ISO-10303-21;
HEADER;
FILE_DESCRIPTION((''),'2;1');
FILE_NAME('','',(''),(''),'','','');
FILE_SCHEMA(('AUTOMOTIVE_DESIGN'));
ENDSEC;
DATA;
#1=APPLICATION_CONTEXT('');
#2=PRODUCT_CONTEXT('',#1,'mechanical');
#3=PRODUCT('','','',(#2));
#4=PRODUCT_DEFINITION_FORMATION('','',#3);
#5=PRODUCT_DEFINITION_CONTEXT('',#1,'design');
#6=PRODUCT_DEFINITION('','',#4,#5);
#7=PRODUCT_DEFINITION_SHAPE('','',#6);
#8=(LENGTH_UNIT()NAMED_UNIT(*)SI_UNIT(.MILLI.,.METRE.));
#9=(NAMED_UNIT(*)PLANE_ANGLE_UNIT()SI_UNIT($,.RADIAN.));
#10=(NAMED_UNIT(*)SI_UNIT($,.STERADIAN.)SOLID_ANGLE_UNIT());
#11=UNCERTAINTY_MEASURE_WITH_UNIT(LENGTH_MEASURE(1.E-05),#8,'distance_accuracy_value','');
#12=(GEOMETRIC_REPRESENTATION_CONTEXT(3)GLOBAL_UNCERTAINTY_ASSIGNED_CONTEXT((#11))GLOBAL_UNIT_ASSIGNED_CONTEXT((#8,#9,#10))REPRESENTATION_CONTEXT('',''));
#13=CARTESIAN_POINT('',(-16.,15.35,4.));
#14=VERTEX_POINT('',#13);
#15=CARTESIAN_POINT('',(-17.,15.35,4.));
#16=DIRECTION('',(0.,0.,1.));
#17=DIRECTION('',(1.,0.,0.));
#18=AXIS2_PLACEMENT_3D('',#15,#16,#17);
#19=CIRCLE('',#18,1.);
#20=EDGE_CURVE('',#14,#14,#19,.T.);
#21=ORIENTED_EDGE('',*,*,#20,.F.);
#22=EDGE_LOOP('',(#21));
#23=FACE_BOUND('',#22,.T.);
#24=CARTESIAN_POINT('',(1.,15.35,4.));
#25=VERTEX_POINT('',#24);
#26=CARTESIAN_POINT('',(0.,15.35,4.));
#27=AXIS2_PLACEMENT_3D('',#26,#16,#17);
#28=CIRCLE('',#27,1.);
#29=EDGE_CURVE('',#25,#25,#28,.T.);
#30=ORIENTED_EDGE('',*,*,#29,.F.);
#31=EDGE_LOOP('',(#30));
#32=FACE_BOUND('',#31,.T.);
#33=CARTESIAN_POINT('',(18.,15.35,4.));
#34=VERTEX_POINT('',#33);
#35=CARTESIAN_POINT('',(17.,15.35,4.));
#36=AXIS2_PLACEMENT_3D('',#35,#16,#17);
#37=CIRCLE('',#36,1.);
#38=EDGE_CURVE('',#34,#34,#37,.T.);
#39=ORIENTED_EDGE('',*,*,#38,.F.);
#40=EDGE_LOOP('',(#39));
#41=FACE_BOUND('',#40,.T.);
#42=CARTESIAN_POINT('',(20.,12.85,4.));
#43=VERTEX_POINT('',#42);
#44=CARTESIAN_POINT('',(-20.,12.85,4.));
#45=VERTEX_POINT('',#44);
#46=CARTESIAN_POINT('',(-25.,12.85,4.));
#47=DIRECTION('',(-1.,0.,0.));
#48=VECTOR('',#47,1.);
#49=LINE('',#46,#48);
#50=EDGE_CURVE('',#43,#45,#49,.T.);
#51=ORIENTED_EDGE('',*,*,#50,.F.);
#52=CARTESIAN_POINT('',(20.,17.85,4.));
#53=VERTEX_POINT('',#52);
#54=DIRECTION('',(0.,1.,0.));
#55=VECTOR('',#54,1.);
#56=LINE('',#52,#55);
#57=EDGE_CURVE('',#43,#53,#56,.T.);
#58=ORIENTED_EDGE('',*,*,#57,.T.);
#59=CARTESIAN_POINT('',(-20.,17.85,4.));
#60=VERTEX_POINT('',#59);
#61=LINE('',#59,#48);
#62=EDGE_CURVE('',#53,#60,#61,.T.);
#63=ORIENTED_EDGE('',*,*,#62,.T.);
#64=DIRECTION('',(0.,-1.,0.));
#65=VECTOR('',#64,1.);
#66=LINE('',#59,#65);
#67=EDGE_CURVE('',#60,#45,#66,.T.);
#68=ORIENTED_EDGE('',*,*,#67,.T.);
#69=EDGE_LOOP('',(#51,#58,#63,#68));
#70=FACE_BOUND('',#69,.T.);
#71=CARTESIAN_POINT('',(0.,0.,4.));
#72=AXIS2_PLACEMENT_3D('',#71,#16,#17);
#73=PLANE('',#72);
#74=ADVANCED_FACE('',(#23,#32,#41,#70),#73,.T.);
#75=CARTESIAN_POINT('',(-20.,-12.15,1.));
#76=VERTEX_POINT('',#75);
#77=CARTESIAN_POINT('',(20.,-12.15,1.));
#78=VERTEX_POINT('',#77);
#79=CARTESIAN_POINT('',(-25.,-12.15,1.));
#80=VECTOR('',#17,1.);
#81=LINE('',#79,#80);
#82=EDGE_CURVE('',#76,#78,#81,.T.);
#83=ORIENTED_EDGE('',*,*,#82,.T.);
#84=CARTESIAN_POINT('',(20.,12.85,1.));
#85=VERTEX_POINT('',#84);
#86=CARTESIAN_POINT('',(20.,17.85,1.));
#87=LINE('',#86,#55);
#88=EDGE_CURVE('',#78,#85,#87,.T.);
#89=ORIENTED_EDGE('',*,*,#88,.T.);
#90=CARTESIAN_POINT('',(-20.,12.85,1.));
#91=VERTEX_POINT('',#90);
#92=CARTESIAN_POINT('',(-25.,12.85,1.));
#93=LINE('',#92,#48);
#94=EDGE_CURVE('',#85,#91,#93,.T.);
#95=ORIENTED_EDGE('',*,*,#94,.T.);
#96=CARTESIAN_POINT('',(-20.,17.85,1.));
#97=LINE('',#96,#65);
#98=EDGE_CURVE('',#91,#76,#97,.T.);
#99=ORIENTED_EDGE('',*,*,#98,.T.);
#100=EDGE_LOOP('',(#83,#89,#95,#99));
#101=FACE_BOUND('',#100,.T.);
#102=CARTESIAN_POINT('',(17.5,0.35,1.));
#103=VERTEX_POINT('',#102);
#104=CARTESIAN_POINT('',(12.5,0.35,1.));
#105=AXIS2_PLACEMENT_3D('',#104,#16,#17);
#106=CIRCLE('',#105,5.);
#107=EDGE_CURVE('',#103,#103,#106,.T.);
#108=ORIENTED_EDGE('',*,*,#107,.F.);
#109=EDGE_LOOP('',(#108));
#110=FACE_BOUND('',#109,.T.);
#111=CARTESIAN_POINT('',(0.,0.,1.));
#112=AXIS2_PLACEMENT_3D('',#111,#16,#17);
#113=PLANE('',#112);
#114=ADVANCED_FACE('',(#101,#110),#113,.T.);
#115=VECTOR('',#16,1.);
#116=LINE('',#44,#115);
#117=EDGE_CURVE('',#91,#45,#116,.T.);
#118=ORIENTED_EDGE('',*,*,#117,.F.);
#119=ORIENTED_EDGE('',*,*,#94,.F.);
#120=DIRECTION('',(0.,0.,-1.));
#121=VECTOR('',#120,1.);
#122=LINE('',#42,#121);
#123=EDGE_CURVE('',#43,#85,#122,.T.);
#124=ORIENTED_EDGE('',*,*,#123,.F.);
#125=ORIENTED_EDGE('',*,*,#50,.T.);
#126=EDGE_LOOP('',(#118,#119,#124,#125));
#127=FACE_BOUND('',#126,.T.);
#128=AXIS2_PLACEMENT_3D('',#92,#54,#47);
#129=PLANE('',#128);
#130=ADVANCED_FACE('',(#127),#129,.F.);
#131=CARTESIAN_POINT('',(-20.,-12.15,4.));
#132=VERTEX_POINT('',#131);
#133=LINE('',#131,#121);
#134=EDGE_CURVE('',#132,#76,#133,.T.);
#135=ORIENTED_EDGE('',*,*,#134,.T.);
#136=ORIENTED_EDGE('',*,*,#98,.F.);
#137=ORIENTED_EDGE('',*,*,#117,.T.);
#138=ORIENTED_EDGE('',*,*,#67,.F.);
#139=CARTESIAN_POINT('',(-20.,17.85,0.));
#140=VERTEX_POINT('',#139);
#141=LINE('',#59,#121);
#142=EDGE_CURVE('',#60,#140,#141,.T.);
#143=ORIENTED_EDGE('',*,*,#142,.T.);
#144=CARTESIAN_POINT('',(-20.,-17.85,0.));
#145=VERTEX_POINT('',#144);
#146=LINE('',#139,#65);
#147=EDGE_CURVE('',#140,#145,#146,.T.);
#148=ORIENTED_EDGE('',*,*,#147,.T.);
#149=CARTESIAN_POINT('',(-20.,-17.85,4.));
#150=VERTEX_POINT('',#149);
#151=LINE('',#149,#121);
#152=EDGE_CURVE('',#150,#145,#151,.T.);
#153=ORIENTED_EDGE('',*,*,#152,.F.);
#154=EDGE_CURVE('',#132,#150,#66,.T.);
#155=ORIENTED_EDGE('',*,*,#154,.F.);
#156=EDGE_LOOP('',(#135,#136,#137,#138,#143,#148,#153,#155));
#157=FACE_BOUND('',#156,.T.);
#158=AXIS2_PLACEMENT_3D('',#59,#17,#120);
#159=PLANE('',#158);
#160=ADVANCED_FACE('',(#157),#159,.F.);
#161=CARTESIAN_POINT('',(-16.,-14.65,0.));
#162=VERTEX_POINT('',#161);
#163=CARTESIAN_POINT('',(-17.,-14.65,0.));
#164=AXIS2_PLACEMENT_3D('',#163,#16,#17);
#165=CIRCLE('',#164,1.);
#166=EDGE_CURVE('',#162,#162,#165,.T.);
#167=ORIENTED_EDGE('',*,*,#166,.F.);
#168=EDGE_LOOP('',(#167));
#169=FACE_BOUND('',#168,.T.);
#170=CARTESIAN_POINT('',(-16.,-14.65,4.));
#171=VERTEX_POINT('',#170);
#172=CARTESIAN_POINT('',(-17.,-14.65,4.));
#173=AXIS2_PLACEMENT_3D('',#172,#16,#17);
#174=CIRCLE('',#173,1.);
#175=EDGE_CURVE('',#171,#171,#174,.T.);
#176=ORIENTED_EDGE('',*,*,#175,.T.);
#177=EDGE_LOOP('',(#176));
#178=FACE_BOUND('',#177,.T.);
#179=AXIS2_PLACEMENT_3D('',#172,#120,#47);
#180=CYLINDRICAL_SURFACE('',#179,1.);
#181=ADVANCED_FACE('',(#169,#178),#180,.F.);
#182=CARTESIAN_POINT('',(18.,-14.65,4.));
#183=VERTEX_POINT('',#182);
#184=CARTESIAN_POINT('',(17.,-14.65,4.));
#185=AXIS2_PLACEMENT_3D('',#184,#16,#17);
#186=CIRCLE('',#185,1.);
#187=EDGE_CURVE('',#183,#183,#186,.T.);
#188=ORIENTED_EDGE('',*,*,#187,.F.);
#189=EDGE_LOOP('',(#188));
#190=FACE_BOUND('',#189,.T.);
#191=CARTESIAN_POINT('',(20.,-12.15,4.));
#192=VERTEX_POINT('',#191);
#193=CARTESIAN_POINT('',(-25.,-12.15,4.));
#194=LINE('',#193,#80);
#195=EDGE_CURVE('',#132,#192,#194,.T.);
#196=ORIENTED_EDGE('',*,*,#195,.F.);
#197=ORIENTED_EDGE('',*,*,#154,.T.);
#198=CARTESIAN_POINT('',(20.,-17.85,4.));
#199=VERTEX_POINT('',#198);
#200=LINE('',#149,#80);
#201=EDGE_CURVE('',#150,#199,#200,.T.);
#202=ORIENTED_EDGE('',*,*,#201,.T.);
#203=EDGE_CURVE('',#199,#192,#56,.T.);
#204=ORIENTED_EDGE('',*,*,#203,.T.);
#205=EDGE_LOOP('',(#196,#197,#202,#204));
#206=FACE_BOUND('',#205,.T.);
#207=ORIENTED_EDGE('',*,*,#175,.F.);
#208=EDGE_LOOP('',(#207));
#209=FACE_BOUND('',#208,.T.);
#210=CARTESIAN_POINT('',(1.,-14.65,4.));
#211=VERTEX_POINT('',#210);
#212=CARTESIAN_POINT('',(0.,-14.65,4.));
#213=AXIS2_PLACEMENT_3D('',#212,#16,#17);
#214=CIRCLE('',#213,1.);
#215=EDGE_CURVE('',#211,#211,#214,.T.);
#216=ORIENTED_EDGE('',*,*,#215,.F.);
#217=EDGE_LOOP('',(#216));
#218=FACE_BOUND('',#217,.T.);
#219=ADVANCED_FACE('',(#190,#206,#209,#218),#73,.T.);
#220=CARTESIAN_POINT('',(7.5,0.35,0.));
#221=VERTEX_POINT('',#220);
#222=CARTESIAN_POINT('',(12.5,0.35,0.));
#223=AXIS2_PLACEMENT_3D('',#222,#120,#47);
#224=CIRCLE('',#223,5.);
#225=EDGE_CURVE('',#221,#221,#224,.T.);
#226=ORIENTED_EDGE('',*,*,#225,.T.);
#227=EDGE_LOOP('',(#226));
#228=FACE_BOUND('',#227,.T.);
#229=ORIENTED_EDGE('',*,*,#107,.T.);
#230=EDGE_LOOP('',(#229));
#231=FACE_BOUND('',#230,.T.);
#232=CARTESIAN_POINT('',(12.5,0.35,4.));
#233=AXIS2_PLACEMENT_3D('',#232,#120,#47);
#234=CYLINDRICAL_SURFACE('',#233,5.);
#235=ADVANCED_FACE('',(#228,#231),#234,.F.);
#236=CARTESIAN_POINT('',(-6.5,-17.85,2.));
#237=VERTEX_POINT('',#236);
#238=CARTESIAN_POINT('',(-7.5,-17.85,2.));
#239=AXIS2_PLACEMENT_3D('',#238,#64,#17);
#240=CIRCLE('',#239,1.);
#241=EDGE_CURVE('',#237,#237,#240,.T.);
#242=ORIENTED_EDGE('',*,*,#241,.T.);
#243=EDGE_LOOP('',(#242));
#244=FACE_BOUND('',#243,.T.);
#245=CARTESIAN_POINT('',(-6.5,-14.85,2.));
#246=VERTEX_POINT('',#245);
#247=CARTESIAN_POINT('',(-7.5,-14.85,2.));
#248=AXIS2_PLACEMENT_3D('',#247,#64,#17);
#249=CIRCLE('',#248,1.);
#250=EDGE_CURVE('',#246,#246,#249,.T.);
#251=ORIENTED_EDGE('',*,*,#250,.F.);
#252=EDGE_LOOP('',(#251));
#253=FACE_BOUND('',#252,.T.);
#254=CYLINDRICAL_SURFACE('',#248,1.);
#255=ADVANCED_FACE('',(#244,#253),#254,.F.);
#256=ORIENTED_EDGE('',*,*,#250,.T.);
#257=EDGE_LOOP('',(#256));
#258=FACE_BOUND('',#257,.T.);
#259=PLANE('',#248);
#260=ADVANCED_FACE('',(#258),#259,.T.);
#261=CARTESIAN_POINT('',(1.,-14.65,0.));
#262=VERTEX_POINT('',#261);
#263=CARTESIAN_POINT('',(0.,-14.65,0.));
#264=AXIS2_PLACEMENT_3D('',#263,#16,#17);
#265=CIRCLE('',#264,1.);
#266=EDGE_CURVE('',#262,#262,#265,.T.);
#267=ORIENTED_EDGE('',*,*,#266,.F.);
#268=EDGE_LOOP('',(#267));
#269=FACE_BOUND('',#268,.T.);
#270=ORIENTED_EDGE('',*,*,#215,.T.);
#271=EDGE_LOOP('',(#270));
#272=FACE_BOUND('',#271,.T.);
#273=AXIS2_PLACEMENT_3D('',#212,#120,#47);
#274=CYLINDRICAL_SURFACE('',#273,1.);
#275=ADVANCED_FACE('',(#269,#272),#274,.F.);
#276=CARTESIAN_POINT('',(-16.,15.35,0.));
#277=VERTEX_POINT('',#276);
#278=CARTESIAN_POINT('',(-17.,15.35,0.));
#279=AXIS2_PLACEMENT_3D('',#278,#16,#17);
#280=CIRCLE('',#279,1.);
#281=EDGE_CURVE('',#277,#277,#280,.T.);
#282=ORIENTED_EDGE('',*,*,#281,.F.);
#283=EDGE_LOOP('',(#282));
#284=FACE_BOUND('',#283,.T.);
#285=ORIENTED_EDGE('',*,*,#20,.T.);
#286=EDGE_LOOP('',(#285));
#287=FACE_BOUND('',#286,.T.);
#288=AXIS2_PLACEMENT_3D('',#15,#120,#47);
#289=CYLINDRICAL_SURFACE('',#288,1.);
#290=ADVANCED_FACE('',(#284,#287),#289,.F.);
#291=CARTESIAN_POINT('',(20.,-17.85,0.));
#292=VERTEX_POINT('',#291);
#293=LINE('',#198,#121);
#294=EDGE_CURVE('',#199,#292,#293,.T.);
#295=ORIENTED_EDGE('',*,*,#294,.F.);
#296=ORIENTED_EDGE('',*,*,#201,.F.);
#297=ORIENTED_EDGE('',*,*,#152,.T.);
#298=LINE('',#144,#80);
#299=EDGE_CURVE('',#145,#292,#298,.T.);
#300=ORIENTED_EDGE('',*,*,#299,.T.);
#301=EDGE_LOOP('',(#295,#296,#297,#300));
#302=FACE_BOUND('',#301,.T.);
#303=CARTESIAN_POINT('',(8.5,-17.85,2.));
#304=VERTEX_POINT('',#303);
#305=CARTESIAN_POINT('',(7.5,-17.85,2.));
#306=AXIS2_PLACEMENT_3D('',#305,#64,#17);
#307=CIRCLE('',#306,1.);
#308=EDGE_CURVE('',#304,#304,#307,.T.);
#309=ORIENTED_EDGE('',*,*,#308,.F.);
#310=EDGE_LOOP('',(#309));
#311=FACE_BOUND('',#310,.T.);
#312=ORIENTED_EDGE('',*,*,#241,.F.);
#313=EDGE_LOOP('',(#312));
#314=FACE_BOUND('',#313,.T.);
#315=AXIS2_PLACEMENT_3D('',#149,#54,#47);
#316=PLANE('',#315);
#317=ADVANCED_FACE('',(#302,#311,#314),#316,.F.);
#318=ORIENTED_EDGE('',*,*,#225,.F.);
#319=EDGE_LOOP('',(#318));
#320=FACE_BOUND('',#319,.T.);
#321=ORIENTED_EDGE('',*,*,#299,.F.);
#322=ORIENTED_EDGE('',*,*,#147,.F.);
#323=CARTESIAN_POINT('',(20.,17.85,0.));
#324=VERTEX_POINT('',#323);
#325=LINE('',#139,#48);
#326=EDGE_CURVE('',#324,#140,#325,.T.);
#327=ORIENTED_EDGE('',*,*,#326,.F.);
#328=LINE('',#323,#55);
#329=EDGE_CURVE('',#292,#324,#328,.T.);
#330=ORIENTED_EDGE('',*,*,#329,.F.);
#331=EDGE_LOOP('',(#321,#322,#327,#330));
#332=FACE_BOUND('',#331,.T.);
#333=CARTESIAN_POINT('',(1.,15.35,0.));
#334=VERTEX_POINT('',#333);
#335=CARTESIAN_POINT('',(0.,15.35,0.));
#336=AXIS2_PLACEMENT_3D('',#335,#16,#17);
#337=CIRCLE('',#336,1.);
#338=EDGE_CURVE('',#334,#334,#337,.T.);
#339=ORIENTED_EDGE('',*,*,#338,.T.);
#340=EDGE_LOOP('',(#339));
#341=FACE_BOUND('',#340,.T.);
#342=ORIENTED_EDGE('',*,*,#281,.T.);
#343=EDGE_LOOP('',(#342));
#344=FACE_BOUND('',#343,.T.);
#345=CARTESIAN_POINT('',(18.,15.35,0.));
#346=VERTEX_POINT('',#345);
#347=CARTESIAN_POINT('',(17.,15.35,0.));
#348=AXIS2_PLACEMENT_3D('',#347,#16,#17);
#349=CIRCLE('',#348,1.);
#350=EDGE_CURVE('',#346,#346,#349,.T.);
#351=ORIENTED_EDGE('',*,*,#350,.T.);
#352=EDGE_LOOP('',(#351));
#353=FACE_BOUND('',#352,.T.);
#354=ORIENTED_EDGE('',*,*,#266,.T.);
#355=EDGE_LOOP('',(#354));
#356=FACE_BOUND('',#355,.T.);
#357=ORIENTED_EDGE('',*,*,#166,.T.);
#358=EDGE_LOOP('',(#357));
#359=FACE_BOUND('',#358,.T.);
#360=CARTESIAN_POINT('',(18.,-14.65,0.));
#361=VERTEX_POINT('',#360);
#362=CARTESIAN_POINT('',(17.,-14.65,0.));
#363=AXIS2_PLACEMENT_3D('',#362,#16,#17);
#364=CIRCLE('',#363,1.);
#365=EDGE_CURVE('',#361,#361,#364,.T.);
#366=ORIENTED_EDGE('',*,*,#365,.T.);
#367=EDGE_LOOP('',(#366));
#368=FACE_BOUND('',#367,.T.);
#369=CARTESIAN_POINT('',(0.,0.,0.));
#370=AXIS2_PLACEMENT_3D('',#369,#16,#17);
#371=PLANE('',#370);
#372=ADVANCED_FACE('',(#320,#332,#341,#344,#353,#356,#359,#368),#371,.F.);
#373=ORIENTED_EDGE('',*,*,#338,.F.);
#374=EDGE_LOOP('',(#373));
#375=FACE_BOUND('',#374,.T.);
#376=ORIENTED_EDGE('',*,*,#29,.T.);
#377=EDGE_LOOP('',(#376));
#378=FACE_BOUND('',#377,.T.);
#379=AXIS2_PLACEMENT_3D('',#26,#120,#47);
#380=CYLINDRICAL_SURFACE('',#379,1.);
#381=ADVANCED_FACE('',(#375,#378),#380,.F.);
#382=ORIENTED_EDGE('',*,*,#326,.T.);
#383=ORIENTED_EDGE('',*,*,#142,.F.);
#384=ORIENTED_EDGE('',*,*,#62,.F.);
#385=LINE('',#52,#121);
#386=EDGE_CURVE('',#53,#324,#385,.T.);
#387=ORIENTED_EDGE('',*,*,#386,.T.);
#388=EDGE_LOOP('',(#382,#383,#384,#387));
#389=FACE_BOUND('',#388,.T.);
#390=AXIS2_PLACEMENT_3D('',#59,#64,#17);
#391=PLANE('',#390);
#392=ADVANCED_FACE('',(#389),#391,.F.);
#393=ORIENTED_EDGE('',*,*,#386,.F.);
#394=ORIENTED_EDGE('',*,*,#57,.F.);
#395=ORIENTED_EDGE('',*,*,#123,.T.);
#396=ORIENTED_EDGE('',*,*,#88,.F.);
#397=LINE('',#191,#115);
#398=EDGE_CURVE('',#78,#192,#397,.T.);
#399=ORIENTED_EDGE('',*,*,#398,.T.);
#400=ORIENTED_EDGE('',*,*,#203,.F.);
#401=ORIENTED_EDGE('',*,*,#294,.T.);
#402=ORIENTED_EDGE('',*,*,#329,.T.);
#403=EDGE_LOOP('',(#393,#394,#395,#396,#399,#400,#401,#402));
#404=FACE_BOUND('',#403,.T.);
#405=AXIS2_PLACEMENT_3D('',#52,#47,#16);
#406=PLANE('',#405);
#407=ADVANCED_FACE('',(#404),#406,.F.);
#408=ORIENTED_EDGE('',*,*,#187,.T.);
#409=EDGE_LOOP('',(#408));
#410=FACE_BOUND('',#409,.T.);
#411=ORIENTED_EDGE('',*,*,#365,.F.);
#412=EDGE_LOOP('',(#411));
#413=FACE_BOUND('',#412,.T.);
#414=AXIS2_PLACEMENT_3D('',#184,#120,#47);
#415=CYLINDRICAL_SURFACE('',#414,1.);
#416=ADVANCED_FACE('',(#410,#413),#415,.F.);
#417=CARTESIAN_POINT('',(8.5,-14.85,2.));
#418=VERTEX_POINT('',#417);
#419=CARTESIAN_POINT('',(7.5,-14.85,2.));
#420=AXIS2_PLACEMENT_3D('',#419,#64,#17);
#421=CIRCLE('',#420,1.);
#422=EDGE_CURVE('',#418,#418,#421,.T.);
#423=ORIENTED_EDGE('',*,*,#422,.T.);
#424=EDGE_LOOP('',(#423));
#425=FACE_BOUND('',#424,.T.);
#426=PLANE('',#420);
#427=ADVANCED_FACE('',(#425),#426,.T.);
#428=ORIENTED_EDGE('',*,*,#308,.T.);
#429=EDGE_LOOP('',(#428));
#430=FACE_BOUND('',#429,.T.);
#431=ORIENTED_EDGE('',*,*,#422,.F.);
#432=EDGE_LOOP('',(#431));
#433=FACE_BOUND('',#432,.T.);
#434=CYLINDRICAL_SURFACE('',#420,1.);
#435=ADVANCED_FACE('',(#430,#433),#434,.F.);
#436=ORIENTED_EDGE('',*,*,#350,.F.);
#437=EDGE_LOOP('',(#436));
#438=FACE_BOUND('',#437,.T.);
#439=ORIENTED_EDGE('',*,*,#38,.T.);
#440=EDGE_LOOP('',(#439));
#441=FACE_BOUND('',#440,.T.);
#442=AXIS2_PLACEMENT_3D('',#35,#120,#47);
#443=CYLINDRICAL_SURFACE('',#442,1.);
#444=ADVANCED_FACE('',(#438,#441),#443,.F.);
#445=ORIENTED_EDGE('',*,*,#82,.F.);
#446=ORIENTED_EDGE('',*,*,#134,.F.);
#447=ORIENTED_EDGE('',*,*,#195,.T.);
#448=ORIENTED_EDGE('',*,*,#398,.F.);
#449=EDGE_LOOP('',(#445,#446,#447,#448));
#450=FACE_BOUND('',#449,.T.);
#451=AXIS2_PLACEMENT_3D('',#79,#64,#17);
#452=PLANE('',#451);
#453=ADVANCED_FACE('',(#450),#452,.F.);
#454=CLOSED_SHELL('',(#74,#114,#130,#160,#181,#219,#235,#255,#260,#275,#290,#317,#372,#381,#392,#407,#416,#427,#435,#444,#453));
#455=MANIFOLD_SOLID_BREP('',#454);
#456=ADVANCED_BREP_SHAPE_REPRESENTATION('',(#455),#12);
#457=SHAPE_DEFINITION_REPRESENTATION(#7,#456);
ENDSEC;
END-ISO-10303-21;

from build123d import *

# Parameters (mm, degrees)
SKETCH1_W           = 40
SKETCH1_H           = 35.7
SKETCH1_R           = 1
BOSS_EXTRUDE1_DEPTH = 4
SKETCH2_W           = 50
SKETCH2_H           = 25
CUT_EXTRUDE1_DEPTH  = 3
SKETCH3_R           = 1
CUT_EXTRUDE2_DEPTH  = 3
SKETCH4_R           = 5
CUT_EXTRUDE3_DEPTH  = 28.103920381


with BuildPart() as part:
    # Sketch1 → Boss-Extrude1 (new body)
    with BuildSketch(Plane.XY):
        Rectangle(SKETCH1_W, SKETCH1_H)
        with Locations((-17, 15.35)):
            Circle(SKETCH1_R, mode=Mode.SUBTRACT)
        with Locations((0, 15.35)):
            Circle(SKETCH1_R, mode=Mode.SUBTRACT)
        with Locations((17, 15.35)):
            Circle(SKETCH1_R, mode=Mode.SUBTRACT)
        with Locations((-17, -14.65)):
            Circle(SKETCH1_R, mode=Mode.SUBTRACT)
        with Locations((0, -14.65)):
            Circle(SKETCH1_R, mode=Mode.SUBTRACT)
        with Locations((17, -14.65)):
            Circle(SKETCH1_R, mode=Mode.SUBTRACT)
    extrude(amount=BOSS_EXTRUDE1_DEPTH)

    # Sketch2 → Cut-Extrude1 (cut)
    with BuildSketch(Plane.XY.offset(4)):
        with Locations((0, 0.35)):
            Rectangle(SKETCH2_W, SKETCH2_H)
    extrude(amount=-CUT_EXTRUDE1_DEPTH, mode=Mode.SUBTRACT)

    # Sketch3 → Cut-Extrude2 (cut)
    with BuildSketch(Plane.XZ.offset(17.85)):
        with Locations((-7.5, 2)):
            Circle(SKETCH3_R)
        with Locations((7.5, 2)):
            Circle(SKETCH3_R)
    extrude(amount=-CUT_EXTRUDE2_DEPTH, mode=Mode.SUBTRACT)

    # Sketch4 → Cut-Extrude3 (cut, through all)
    with BuildSketch(Plane(origin=(0, 0, 0), x_dir=(-1, 0, 0), z_dir=(0, 0, -1))):
        with Locations((-12.5, 0.35)):
            Circle(SKETCH4_R)
    extrude(amount=-CUT_EXTRUDE3_DEPTH, mode=Mode.SUBTRACT)


solid = part.part
